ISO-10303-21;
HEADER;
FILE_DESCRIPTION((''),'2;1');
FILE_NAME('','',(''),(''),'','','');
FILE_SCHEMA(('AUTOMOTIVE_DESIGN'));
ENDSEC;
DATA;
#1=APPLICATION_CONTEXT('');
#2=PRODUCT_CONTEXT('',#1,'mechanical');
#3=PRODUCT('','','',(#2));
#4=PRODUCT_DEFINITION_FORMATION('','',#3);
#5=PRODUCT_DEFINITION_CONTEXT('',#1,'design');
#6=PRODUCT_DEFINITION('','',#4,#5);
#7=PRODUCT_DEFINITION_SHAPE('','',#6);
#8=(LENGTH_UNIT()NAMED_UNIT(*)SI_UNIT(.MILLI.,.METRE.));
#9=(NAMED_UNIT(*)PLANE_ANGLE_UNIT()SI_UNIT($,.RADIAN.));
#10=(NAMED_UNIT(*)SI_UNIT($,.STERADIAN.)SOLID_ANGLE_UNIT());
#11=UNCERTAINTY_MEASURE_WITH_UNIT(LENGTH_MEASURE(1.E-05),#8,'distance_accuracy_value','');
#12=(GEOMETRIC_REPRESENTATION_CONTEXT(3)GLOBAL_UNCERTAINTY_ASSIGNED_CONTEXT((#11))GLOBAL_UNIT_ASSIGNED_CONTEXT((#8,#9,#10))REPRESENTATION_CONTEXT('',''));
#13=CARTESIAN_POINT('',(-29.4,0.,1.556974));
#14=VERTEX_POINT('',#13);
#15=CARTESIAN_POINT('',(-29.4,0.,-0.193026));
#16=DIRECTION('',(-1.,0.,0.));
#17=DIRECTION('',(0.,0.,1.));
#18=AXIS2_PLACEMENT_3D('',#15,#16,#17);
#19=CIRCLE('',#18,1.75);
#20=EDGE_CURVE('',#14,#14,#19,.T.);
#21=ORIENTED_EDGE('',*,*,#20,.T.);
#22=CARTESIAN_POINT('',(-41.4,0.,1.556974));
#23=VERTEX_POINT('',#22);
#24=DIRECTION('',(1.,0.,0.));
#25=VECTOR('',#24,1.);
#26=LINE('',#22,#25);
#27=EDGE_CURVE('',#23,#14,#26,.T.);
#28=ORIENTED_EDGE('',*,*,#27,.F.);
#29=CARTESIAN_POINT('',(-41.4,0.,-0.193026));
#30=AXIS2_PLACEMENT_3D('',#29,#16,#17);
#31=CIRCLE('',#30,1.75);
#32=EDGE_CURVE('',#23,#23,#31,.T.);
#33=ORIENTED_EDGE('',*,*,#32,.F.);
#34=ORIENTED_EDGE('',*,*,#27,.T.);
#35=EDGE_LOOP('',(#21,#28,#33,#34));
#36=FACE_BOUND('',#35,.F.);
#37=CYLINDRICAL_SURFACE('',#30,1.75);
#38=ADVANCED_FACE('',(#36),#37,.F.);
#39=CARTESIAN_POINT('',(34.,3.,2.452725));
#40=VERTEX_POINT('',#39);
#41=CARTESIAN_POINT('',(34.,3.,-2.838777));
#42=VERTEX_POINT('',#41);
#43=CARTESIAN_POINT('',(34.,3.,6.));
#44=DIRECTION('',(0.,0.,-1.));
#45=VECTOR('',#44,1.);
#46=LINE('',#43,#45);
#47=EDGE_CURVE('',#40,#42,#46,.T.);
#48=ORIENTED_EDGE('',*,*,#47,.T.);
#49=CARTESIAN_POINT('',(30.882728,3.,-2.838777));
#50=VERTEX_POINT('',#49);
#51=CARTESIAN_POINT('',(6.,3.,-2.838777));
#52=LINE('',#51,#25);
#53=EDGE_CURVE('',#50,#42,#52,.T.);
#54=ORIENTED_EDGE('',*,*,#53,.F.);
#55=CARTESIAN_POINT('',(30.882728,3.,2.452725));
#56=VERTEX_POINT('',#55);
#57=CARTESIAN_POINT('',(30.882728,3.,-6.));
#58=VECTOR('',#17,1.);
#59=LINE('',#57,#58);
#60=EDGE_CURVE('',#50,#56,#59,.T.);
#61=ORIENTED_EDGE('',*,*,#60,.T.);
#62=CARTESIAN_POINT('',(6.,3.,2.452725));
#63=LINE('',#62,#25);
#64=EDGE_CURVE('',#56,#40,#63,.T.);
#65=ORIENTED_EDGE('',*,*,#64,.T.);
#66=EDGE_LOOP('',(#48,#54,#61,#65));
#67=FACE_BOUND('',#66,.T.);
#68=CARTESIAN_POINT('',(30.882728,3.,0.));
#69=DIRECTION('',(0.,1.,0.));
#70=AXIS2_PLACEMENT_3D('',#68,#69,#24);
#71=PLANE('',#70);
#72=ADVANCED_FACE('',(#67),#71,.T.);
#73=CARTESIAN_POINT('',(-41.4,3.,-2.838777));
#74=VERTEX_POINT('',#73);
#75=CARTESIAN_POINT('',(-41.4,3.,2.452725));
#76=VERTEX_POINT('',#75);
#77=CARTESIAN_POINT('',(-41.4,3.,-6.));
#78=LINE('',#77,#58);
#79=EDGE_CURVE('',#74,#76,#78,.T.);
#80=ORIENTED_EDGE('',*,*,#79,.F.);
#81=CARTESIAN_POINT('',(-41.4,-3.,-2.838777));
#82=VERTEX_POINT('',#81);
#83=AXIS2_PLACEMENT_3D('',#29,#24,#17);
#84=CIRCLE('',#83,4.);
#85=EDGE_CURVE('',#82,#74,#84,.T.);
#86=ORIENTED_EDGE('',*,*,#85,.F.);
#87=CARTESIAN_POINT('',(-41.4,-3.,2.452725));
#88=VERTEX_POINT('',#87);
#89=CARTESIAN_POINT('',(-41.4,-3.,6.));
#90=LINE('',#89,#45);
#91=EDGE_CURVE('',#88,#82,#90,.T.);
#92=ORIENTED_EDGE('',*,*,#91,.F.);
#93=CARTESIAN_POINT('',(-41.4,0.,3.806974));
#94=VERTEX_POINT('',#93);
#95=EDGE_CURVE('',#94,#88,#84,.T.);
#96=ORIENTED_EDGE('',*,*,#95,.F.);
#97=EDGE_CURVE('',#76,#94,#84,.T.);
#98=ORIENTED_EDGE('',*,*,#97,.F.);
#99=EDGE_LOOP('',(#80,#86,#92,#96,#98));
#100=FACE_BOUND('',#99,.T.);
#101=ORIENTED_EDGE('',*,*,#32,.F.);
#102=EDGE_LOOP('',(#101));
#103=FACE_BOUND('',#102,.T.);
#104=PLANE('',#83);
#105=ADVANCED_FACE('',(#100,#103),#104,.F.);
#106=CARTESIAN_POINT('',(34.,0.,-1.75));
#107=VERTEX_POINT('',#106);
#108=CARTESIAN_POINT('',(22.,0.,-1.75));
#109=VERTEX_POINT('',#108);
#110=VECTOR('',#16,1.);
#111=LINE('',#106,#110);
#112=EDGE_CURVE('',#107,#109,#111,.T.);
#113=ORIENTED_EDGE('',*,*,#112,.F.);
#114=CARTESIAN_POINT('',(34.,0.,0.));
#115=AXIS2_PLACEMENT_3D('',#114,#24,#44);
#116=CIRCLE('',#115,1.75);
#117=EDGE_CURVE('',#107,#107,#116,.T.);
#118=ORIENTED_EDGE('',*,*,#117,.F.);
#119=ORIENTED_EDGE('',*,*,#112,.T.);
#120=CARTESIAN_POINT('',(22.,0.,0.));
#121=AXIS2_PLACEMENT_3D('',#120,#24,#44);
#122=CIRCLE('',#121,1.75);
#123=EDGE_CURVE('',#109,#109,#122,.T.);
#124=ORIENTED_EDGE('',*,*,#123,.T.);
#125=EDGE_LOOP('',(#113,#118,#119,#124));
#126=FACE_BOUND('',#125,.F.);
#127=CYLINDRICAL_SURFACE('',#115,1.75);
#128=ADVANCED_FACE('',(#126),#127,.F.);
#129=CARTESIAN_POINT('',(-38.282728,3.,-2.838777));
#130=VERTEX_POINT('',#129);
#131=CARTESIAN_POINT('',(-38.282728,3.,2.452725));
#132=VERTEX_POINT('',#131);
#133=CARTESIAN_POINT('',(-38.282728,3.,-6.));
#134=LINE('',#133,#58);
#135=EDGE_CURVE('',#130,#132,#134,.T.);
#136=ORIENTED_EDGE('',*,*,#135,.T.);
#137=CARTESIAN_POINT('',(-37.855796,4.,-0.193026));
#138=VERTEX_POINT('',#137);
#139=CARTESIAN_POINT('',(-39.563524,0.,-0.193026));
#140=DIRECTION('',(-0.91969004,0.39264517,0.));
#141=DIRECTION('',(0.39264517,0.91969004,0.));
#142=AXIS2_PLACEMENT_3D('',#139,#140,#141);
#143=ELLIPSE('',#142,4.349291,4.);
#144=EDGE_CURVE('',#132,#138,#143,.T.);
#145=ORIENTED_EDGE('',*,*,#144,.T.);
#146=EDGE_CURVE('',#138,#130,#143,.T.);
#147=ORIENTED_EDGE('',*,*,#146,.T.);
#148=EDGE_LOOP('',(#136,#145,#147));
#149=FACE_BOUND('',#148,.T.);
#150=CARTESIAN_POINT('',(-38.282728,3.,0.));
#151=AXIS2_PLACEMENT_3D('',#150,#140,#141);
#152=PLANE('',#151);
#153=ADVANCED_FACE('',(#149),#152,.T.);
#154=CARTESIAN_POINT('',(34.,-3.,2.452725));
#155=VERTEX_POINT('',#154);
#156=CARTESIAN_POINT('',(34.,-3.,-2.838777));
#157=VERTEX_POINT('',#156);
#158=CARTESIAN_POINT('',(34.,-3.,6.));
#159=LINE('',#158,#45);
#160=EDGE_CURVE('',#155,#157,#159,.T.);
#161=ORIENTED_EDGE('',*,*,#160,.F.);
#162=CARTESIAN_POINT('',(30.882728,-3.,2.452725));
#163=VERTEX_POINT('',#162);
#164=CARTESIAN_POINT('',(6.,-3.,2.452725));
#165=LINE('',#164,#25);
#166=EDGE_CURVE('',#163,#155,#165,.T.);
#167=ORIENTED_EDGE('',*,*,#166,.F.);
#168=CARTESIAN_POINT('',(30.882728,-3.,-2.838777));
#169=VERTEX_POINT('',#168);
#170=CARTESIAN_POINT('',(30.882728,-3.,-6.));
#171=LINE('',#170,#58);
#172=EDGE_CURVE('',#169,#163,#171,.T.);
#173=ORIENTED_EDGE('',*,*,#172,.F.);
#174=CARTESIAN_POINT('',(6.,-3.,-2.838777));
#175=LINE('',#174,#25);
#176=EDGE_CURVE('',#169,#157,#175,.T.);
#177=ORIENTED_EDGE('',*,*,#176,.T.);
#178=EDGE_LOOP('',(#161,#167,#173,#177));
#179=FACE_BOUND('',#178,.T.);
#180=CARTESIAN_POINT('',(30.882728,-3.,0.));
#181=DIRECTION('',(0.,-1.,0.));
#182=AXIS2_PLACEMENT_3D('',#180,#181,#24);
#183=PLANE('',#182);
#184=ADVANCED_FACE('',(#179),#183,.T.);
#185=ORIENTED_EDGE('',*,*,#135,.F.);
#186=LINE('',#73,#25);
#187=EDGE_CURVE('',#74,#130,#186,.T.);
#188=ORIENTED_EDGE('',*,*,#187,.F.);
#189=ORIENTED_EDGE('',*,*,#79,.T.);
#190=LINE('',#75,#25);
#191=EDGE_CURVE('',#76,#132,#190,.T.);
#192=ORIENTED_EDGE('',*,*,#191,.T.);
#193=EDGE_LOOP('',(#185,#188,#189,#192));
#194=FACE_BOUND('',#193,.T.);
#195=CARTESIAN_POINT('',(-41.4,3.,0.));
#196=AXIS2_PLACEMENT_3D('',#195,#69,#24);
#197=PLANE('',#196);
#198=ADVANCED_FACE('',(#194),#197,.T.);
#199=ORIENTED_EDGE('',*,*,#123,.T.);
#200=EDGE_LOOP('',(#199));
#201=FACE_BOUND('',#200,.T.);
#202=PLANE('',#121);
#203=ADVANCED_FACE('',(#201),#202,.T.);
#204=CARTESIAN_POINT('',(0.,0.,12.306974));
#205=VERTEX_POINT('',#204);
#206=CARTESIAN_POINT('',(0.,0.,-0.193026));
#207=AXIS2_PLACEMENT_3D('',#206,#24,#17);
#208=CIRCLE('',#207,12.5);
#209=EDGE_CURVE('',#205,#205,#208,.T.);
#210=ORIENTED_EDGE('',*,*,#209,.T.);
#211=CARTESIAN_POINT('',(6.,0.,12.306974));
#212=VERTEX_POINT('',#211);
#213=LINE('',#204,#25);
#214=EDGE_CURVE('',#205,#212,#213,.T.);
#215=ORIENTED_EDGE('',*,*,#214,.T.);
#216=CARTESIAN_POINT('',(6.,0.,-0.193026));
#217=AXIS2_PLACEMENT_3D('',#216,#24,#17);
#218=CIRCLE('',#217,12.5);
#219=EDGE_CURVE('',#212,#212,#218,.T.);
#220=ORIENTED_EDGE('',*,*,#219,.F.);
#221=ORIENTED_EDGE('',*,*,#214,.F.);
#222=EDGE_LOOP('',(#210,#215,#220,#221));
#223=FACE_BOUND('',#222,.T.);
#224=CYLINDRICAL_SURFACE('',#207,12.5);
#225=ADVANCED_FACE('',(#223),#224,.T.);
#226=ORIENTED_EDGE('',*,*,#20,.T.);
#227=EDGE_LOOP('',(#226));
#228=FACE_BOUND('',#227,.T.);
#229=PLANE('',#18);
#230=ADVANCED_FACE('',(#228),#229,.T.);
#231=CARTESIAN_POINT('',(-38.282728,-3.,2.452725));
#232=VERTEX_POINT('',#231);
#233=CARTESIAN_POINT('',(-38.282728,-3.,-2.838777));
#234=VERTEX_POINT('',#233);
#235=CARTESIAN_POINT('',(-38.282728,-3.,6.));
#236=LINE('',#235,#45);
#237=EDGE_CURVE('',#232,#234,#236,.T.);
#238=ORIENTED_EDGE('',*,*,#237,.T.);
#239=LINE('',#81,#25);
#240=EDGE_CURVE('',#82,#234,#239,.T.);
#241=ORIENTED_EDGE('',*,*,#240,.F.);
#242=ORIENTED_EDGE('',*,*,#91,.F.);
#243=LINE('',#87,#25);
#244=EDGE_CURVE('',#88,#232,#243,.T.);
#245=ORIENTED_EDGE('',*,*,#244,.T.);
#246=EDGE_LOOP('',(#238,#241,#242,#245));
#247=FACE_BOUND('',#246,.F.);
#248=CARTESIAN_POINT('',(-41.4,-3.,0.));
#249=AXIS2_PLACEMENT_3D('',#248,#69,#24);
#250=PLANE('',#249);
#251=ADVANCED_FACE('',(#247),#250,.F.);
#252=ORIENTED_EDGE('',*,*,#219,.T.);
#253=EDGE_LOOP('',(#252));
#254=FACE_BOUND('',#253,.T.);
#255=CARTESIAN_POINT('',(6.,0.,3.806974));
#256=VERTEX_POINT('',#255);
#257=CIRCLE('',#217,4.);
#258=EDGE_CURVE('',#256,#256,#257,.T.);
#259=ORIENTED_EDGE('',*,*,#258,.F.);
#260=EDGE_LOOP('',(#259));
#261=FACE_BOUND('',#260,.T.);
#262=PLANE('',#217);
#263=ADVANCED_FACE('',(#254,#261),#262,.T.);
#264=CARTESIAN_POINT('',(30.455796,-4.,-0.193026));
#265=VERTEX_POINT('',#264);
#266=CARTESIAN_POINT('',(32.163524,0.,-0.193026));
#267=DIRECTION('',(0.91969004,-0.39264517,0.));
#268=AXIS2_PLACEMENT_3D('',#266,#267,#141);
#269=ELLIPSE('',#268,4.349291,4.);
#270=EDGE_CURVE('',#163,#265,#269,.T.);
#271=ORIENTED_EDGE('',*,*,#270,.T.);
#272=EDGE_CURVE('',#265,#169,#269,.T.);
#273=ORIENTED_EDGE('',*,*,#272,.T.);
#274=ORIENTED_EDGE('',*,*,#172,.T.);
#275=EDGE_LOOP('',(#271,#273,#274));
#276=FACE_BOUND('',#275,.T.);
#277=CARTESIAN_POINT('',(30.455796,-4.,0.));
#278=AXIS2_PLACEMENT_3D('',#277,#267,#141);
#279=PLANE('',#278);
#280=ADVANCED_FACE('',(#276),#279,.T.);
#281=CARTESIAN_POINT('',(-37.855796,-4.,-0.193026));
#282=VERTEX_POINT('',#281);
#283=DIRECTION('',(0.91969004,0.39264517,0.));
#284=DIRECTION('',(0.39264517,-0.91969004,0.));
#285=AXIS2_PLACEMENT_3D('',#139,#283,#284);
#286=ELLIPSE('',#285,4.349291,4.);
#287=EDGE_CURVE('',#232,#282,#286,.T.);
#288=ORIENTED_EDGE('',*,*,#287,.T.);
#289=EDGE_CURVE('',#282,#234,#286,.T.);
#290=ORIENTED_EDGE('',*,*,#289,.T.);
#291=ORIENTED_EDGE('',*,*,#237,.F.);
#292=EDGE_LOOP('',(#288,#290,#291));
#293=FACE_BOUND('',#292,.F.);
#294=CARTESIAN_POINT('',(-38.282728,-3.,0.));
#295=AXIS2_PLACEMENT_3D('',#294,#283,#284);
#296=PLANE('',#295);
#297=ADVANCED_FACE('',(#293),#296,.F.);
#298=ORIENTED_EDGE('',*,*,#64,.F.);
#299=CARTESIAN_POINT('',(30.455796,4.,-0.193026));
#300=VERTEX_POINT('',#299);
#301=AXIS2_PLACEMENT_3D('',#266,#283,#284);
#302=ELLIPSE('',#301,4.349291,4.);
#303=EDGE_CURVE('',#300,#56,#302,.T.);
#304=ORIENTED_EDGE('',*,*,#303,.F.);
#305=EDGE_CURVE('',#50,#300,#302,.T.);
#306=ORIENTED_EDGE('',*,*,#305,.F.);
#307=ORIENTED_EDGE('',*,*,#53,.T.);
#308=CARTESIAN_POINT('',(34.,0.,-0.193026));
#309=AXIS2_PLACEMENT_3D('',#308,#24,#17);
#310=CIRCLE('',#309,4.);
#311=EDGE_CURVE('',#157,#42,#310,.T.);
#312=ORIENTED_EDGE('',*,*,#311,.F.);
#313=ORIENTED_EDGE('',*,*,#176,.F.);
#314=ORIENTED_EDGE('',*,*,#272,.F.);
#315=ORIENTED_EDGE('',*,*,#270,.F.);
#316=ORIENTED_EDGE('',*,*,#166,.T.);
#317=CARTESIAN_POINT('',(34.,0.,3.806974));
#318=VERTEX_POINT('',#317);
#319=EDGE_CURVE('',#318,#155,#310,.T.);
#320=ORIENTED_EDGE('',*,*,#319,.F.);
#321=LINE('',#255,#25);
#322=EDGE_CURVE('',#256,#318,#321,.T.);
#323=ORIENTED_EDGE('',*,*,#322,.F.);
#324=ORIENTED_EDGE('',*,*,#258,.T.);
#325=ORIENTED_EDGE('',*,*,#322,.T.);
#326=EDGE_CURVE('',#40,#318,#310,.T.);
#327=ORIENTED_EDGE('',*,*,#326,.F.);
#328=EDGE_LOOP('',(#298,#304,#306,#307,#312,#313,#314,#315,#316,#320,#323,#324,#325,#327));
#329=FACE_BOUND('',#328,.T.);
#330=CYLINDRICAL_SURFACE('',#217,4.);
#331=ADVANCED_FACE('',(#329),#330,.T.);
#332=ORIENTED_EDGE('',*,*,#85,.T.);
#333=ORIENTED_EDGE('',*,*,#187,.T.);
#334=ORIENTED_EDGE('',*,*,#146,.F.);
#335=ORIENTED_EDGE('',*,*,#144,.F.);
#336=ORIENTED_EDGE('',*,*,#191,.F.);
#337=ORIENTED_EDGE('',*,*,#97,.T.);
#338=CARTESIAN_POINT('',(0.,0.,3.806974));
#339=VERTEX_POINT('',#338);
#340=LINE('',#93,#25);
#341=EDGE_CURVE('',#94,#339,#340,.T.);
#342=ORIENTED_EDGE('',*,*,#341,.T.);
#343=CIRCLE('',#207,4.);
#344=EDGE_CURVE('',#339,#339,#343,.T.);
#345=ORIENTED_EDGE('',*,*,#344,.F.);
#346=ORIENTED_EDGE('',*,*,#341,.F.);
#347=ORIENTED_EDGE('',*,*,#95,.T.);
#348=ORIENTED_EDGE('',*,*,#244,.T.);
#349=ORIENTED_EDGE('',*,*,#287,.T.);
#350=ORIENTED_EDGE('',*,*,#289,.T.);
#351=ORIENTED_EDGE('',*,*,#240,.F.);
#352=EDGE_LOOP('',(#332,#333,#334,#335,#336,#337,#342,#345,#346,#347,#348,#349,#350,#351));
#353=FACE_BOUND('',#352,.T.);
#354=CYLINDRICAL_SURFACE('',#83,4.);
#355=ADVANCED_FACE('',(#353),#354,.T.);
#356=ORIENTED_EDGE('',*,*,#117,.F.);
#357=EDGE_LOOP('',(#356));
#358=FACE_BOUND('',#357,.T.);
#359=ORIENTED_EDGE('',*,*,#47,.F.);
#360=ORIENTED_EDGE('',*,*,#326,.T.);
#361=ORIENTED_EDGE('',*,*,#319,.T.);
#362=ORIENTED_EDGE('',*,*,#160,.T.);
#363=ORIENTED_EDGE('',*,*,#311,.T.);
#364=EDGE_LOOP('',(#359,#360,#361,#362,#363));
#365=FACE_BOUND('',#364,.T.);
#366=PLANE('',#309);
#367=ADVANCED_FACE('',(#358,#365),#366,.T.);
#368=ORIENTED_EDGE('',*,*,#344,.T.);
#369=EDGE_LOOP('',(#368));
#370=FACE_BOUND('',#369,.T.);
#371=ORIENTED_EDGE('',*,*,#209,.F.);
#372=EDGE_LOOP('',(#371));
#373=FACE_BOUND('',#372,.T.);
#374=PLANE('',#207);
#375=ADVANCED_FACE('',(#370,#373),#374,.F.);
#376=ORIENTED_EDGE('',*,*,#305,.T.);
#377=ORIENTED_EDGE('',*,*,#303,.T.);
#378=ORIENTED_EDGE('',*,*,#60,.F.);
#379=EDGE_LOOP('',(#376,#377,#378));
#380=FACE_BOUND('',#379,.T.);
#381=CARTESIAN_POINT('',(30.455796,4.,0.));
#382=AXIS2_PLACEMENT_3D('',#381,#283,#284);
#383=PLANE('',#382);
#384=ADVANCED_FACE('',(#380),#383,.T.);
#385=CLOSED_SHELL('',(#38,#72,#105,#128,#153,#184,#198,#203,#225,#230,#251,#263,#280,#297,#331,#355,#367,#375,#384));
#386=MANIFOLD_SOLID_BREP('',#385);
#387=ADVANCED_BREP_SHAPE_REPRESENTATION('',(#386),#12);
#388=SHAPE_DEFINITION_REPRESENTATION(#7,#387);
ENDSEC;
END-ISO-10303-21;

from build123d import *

# Parameters (mm, degrees)
SKETCH_2_R          = 1.75
CUT_EXTRUDE_1_DEPTH = 12
SKETCH_3_R          = 1.75
CUT_EXTRUDE_2_DEPTH = 12
CUT_EXTRUDE_5_DEPTH = 6


with BuildPart() as part:
    # 草图1 → 旋转1 (revolve)
    with BuildSketch(Plane(origin=(0, 0, 0), x_dir=(1, 0, 0), z_dir=(0, 1, 0)), mode=Mode.PRIVATE) as revolve_1_sk:
        Polygon((-41.4, 0.193025833), (-41.4, 4.193025833), (0, 4.193025833), (0, 12.693025833), (6, 12.693025833), (6, 4.193025833), (34, 4.193025833), (34, 0.193025833), align=None)
    revolve(revolve_1_sk.sketch.rotate(Axis((-41.4, 0, -0.193025833), (1, 0, 0)), 180), axis=Axis((-41.4, 0, -0.193025833), (1, 0, 0)))

    # 草图2 → 拉伸1 (cut)
    with BuildSketch(Plane(origin=(34, 0, 0), x_dir=(0, 0, -1), z_dir=(1, 0, 0))):
        Circle(SKETCH_2_R)
    extrude(amount=-CUT_EXTRUDE_1_DEPTH, mode=Mode.SUBTRACT)

    # 草图3 → 拉伸2 (cut)
    with BuildSketch(Plane.ZY.offset(41.4)):
        with Locations((-0.193025833, 0)):
            Circle(SKETCH_3_R)
    extrude(amount=-CUT_EXTRUDE_2_DEPTH, mode=Mode.SUBTRACT)

    # 草图4 → 拉伸5 (cut, symmetric)
    with BuildSketch(Plane.XY):
        Polygon((-41.4, 4), (-41.4, 3), (-38.2827279, 3), (-37.855795833, 4), align=None)
        Polygon((34, 4), (30.455795833, 4), (30.8827279, 3), (34, 3), align=None)
        Polygon((-41.4, -4), (-41.4, -3), (-38.2827279, -3), (-37.855795833, -4), align=None)
        Polygon((30.8827279, -3), (34, -3), (34, -4), (30.455795833, -4), align=None)
    extrude(amount=CUT_EXTRUDE_5_DEPTH, both=True, mode=Mode.SUBTRACT)


solid = part.part
